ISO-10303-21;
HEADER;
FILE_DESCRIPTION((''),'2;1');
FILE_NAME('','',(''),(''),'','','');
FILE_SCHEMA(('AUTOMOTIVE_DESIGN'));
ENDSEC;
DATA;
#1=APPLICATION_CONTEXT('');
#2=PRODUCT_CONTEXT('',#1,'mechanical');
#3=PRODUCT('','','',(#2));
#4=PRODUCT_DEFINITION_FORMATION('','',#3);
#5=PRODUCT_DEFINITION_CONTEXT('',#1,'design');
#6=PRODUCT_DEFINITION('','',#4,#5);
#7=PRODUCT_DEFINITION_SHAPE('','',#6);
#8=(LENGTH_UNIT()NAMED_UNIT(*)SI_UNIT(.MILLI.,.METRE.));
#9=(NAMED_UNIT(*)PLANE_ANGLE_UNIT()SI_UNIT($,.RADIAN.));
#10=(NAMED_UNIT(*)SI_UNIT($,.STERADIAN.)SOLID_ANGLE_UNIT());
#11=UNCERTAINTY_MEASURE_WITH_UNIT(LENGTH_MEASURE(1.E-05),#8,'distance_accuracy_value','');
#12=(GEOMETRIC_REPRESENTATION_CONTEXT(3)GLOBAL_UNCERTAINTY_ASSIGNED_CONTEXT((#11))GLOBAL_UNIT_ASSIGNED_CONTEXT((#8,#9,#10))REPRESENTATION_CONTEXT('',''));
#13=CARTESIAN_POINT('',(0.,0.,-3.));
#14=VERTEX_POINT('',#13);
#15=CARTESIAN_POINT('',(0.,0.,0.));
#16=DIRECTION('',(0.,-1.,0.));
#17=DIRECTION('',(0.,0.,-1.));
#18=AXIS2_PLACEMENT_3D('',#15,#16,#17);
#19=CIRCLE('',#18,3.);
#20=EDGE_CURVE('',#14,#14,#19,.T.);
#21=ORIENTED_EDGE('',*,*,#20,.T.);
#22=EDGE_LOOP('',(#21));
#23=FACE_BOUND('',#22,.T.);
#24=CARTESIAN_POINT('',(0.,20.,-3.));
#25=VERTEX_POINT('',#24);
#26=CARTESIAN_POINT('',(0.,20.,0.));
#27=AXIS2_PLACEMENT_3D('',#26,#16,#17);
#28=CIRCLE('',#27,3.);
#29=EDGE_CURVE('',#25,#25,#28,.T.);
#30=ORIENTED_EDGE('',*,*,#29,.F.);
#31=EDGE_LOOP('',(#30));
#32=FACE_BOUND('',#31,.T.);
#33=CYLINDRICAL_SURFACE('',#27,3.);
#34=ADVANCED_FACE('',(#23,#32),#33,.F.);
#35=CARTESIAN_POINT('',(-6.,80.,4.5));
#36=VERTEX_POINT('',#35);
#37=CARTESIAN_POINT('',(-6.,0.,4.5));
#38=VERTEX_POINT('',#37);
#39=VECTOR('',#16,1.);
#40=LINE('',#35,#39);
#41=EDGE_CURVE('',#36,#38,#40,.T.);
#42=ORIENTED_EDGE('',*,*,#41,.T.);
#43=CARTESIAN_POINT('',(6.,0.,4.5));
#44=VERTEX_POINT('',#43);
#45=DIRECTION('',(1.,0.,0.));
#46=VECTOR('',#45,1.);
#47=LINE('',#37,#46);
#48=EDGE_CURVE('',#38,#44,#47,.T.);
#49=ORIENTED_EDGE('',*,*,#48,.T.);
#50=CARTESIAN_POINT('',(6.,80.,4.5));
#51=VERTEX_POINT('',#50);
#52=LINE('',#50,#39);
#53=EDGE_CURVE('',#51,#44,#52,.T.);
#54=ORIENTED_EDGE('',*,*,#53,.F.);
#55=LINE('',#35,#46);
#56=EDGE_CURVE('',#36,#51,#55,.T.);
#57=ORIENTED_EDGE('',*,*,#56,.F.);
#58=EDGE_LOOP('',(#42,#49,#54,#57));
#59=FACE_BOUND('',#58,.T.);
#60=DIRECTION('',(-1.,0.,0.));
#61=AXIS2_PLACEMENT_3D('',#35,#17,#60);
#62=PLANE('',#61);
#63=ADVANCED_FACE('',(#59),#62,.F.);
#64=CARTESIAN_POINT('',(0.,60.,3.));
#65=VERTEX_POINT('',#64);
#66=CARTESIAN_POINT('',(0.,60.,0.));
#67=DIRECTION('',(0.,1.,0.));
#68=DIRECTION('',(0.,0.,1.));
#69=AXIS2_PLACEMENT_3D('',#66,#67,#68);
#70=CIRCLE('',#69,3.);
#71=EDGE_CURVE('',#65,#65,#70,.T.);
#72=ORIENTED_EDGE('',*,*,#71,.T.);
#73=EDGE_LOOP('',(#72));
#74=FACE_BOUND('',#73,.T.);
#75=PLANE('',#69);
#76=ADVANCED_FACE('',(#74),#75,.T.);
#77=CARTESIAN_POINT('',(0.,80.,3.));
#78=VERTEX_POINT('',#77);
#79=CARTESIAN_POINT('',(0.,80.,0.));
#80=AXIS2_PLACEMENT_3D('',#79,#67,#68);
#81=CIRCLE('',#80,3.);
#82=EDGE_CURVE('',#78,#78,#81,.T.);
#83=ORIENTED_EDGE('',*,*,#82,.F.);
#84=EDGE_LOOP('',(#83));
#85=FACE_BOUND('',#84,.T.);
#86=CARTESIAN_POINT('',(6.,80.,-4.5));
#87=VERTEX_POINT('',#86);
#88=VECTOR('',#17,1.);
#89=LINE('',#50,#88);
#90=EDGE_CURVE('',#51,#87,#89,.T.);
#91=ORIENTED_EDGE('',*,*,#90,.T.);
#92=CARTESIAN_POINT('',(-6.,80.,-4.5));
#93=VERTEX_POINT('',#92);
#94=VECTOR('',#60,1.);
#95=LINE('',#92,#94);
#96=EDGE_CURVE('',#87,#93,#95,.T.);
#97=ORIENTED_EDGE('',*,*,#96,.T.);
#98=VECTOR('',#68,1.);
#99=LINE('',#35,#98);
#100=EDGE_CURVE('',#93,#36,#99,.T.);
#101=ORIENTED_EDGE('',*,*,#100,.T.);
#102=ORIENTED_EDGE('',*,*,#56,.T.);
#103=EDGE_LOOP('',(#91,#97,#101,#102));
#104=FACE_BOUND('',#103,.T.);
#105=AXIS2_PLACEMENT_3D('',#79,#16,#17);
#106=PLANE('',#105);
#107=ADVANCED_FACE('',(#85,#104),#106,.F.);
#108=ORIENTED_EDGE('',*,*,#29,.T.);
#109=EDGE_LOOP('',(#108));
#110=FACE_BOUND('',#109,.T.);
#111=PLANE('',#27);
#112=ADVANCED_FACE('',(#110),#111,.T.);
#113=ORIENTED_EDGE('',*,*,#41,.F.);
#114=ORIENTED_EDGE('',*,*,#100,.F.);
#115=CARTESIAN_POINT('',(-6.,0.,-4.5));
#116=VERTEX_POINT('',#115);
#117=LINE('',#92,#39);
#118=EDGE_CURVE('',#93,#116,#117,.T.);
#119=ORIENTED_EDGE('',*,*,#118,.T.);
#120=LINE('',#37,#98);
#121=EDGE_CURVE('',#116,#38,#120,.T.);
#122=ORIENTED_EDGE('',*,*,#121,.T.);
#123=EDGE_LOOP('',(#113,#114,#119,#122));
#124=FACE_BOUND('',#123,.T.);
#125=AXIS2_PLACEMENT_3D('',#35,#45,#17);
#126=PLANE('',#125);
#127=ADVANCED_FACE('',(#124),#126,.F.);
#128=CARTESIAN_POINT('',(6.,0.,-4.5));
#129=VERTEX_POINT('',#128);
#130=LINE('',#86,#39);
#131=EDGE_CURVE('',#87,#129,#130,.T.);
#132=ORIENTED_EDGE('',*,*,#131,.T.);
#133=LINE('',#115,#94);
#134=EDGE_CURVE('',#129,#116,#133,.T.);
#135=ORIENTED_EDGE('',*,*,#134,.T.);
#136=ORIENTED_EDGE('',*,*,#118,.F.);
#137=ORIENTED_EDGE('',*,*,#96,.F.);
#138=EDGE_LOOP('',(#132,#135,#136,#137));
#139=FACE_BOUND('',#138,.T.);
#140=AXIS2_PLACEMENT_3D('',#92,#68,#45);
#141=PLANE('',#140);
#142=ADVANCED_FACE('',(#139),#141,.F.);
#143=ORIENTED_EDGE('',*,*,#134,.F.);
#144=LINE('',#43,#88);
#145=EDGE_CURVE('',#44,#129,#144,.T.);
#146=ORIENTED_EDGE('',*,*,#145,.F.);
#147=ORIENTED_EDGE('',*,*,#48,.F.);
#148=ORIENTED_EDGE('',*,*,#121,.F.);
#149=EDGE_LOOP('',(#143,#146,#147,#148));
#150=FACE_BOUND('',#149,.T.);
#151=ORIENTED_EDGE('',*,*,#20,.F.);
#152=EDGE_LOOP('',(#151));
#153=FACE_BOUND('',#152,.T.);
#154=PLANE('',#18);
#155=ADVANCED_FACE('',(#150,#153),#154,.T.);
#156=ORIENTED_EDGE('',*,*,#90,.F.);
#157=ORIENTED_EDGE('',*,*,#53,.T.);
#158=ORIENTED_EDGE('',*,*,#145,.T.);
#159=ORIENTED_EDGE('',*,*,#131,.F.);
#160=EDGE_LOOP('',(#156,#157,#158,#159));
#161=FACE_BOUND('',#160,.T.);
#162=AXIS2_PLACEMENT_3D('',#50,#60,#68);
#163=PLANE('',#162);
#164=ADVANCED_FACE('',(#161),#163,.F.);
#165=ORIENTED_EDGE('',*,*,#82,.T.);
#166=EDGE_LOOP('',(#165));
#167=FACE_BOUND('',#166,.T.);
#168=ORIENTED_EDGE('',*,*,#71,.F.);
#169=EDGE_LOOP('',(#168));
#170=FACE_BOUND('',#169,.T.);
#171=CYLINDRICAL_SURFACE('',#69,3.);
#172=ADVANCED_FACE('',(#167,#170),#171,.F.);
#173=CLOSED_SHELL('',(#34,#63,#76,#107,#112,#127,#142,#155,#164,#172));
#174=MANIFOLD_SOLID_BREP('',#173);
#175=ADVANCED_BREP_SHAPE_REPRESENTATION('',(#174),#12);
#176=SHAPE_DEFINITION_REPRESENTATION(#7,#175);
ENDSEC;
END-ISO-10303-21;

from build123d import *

# Parameters (mm, degrees)
SKETCH_2_W          = 12
SKETCH_2_H          = 9
EXTRUDE_1_DEPTH     = 80
SKETCH_3_R          = 3
CUT_EXTRUDE_1_DEPTH = 20
CUT_EXTRUDE_START   = -20
SKETCH_4_R          = 3
CUT_EXTRUDE_2_DEPTH = 20


with BuildPart() as part:
    # 草图2 → 凸台-拉伸1 (new body)
    with BuildSketch(Plane(origin=(0, 0, 0), x_dir=(1, 0, 0), z_dir=(0, 1, 0))):
        Rectangle(SKETCH_2_W, SKETCH_2_H)
    extrude(amount=EXTRUDE_1_DEPTH)

    # 草图3 → 切除-拉伸1 (cut)
    with BuildSketch(Plane.XZ):
        with Locations(Location((0, 0, 0), (0, 0, 270))):
            Circle(SKETCH_3_R)
    extrude(amount=-CUT_EXTRUDE_1_DEPTH, mode=Mode.SUBTRACT)

    # 草图4 → 切除-拉伸2 (cut)
    with BuildSketch(Plane(origin=(0, 80, 0), x_dir=(1, 0, 0), z_dir=(0, 1, 0)).offset(CUT_EXTRUDE_START)):
        with Locations(Location((0, 0, 0), (0, 0, 90))):
            Circle(SKETCH_4_R)
    extrude(amount=CUT_EXTRUDE_2_DEPTH, mode=Mode.SUBTRACT)


solid = part.part
